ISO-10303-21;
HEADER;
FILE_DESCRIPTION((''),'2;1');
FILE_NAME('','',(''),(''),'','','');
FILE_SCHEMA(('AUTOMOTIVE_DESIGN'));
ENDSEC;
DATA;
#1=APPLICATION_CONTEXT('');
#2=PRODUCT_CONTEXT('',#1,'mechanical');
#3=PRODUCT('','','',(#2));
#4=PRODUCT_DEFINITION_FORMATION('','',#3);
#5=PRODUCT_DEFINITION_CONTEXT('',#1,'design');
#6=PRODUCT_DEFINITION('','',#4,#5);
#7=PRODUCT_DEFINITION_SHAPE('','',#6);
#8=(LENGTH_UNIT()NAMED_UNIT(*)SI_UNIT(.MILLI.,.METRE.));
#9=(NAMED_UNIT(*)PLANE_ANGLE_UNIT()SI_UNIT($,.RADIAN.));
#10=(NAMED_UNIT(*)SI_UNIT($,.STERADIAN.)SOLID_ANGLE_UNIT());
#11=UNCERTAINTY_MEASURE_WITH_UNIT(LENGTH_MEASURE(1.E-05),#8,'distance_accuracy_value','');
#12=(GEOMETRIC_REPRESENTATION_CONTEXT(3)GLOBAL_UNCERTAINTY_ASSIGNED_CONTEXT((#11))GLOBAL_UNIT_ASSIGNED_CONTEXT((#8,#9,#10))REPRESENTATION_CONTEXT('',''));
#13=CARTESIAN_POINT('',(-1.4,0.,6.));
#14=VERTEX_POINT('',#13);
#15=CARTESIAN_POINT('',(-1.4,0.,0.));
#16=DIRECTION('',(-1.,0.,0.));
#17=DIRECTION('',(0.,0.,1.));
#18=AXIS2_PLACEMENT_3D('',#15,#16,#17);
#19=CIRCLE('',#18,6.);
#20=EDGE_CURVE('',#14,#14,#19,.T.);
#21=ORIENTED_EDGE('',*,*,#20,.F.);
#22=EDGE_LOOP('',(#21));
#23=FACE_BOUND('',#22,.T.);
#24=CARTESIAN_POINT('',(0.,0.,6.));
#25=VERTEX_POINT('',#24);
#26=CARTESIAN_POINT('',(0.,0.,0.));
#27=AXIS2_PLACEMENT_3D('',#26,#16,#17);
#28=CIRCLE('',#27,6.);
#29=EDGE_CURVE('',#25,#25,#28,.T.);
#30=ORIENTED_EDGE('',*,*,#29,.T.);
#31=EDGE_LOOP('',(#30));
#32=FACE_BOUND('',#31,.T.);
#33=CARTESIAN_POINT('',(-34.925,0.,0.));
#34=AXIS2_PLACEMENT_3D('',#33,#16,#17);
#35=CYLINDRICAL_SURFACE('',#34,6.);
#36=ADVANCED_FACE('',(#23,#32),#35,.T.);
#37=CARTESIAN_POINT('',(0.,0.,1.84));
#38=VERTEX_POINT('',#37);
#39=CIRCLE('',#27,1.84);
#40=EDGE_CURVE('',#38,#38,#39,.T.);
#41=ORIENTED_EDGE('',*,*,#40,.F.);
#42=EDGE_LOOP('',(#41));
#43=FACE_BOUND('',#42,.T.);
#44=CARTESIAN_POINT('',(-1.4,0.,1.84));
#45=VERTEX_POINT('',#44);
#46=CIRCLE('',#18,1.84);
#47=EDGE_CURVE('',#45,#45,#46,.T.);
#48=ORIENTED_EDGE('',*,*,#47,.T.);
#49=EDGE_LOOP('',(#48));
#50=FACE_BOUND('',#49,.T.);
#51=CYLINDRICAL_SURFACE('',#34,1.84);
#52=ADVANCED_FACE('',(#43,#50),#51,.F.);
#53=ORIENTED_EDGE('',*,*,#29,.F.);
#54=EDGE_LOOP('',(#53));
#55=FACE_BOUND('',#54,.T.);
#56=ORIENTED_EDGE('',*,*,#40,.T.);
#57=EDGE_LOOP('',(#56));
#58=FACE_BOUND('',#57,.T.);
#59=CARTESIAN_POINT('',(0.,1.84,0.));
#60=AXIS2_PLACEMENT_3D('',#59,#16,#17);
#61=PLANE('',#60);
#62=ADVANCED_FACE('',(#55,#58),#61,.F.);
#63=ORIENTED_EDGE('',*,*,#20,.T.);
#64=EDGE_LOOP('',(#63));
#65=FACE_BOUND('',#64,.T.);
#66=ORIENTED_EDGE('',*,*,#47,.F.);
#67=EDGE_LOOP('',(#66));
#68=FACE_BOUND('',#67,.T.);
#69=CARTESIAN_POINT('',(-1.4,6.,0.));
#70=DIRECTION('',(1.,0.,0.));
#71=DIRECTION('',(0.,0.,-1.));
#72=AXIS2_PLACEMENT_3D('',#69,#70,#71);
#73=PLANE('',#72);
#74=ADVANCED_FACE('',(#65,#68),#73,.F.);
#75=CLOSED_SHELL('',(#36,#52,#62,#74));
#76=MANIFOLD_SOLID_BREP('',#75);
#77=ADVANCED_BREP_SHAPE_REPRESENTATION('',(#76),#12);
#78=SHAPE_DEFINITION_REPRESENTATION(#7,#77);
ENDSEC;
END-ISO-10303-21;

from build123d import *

# Parameters (mm, degrees)
SKETCH1_W = 1.4
SKETCH1_H = 4.16


with BuildPart() as part:
    # Sketch1 → Base-Revolve (revolve)
    with BuildSketch(Plane.XY, mode=Mode.PRIVATE) as base_revolve_sk:
        with Locations((-0.7, 3.92)):
            Rectangle(SKETCH1_W, SKETCH1_H)
    revolve(base_revolve_sk.sketch.rotate(Axis((-34.925, 0, 0), (1, 0, 0)), 90), axis=Axis((-34.925, 0, 0), (1, 0, 0)))


solid = part.part
